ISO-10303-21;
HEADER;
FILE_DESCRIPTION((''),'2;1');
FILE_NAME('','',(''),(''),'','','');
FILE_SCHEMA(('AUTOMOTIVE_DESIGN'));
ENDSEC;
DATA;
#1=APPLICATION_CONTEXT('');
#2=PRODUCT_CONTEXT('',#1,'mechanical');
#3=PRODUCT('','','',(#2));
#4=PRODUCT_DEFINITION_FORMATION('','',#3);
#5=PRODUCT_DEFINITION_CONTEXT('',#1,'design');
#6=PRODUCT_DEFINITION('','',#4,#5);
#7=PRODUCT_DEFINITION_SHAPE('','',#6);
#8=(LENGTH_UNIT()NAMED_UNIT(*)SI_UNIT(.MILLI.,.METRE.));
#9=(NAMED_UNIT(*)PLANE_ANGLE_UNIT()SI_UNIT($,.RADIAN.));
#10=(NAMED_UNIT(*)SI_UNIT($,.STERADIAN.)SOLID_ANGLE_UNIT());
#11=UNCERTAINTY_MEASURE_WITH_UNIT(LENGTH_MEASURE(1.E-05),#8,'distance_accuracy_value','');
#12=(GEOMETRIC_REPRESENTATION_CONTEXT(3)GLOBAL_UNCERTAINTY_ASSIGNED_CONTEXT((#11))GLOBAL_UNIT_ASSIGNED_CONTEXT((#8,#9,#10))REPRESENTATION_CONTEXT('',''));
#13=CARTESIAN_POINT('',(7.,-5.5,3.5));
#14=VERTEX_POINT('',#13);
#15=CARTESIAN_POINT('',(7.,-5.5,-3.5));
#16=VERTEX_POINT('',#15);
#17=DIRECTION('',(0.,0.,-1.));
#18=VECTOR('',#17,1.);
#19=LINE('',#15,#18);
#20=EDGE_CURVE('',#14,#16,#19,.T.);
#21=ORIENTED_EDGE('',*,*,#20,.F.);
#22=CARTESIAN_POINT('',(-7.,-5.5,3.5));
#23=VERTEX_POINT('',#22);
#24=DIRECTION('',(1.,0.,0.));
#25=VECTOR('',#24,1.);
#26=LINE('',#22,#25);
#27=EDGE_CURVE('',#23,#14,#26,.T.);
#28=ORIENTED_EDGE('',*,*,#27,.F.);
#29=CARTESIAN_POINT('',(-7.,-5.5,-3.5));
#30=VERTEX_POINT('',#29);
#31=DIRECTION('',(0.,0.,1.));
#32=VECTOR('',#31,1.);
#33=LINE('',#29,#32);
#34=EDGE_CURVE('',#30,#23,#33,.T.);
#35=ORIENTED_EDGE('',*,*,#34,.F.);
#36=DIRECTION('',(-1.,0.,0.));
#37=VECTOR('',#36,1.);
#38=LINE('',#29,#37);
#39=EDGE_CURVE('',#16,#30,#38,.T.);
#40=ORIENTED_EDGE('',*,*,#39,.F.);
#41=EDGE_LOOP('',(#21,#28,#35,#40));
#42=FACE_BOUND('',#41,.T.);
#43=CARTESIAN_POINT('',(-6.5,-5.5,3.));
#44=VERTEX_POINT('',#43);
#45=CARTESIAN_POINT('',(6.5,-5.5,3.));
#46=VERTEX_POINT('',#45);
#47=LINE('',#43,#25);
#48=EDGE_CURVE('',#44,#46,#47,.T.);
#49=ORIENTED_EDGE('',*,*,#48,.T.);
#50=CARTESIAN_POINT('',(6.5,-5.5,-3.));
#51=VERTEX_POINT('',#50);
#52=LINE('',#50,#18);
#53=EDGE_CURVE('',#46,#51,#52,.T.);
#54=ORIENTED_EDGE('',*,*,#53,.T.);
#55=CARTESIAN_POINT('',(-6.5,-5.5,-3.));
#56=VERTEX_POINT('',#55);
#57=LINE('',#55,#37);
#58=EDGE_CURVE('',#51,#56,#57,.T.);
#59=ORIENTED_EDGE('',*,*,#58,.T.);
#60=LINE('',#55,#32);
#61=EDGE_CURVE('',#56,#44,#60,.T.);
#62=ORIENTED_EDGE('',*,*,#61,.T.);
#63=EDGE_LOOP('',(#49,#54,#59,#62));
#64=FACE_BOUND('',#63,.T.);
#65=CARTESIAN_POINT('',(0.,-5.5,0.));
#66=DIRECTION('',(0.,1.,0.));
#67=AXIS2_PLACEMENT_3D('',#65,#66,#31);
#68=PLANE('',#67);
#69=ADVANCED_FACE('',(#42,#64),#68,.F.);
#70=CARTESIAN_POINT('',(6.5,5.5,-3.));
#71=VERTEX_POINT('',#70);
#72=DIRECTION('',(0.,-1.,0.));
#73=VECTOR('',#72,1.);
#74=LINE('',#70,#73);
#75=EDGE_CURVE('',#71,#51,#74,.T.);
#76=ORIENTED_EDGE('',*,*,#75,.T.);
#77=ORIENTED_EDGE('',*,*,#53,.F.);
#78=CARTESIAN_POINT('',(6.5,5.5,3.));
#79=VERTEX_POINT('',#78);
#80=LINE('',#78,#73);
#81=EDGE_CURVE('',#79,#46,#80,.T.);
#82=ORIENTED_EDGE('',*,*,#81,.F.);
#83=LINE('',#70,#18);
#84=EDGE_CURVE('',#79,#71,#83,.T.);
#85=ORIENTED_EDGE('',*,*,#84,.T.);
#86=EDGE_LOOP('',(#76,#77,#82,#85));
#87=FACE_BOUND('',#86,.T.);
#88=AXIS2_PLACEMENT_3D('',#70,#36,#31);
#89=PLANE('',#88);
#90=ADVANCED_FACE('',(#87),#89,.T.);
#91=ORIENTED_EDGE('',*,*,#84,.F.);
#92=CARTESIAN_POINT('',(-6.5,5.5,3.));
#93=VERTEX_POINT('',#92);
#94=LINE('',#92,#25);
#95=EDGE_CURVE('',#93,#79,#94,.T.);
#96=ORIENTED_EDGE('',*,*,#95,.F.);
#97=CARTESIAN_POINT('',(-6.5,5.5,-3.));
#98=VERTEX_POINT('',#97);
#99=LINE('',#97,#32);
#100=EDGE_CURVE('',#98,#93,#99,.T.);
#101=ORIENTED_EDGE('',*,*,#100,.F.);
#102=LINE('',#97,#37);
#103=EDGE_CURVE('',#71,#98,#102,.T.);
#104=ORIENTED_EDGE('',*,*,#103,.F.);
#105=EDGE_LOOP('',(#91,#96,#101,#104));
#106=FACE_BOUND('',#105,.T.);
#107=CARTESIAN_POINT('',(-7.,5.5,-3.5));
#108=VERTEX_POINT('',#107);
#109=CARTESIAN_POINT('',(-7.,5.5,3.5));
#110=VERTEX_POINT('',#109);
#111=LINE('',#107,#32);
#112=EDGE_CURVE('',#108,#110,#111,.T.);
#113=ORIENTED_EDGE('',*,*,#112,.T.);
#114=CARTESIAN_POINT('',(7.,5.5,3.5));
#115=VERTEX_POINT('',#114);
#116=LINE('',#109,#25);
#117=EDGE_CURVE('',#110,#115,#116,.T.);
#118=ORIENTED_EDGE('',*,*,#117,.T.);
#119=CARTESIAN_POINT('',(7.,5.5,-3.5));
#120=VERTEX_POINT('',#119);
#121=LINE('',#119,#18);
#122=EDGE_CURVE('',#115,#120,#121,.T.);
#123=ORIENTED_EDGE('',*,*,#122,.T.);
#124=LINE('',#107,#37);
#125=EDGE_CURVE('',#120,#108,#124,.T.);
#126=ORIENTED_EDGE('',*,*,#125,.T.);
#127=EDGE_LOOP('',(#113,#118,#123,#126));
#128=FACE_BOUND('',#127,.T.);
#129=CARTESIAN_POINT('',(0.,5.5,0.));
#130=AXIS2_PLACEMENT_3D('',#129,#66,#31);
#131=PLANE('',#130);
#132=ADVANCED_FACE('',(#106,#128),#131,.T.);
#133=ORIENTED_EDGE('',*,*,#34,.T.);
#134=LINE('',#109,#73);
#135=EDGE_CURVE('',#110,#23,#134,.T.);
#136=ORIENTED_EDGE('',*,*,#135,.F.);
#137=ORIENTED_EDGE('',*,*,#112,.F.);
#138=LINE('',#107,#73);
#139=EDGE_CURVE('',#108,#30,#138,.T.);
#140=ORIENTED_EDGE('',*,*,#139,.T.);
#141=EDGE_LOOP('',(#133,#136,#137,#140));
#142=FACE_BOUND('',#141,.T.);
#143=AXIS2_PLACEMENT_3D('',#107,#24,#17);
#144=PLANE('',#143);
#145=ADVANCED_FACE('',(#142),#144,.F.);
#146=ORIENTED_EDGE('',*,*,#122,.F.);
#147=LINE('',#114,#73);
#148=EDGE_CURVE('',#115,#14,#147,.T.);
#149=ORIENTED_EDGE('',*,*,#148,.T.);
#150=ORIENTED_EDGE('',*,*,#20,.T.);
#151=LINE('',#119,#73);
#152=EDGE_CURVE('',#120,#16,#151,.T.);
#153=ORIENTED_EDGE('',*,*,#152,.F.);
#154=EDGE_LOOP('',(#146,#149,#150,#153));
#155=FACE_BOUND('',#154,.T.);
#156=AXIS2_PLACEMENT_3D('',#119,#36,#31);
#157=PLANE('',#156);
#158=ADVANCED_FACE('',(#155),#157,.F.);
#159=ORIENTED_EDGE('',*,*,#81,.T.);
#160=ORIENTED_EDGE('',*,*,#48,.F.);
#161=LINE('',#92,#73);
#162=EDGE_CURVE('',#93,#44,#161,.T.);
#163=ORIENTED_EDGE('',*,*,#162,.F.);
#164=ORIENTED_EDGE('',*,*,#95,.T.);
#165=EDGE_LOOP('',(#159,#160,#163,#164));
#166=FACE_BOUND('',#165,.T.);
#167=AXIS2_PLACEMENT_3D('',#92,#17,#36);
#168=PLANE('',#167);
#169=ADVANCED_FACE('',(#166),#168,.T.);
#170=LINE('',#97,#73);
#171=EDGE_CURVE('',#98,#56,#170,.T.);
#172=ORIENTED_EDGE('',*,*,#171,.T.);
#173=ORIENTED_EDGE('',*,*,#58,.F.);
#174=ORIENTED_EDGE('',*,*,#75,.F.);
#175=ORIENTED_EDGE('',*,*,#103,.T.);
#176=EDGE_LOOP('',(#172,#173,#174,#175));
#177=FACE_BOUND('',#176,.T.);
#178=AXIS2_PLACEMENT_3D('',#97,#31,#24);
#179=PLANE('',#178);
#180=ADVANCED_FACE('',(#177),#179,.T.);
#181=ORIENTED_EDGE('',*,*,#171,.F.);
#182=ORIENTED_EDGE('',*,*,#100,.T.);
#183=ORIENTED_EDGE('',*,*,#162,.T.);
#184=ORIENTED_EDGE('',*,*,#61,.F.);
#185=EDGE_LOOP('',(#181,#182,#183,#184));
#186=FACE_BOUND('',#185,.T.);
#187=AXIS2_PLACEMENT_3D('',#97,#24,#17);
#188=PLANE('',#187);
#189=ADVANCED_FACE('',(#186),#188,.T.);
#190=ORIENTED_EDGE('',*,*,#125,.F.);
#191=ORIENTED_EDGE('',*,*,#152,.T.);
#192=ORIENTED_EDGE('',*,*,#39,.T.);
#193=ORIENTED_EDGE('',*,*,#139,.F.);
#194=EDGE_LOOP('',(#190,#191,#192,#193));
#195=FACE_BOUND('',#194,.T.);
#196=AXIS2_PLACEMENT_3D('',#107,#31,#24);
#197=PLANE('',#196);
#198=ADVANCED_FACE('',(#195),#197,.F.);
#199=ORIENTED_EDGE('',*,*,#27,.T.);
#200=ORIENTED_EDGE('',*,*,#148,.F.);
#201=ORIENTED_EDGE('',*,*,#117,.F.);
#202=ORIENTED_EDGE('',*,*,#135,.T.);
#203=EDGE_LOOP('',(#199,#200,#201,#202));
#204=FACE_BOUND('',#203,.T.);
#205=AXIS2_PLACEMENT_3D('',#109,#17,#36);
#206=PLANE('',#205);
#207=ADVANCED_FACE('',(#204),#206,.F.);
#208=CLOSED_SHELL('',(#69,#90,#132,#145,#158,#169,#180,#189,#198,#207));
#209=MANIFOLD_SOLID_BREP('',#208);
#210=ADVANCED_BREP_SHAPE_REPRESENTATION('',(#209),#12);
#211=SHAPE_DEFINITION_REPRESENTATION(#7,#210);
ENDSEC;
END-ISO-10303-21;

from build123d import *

# Parameters (mm, degrees)
SKETCH1_W           = 14
SKETCH1_H           = 7
SKETCH1_W_2         = 13
SKETCH1_H_2         = 6
BOSS_EXTRUDE1_DEPTH = 5.5


with BuildPart() as part:
    # Sketch1 → Boss-Extrude1 (new body, symmetric)
    with BuildSketch(Plane(origin=(0, 0, 0), x_dir=(1, 0, 0), z_dir=(0, 1, 0))):
        Rectangle(SKETCH1_W, SKETCH1_H)
        Rectangle(SKETCH1_W_2, SKETCH1_H_2, mode=Mode.SUBTRACT)
    extrude(amount=BOSS_EXTRUDE1_DEPTH, both=True)


solid = part.part
